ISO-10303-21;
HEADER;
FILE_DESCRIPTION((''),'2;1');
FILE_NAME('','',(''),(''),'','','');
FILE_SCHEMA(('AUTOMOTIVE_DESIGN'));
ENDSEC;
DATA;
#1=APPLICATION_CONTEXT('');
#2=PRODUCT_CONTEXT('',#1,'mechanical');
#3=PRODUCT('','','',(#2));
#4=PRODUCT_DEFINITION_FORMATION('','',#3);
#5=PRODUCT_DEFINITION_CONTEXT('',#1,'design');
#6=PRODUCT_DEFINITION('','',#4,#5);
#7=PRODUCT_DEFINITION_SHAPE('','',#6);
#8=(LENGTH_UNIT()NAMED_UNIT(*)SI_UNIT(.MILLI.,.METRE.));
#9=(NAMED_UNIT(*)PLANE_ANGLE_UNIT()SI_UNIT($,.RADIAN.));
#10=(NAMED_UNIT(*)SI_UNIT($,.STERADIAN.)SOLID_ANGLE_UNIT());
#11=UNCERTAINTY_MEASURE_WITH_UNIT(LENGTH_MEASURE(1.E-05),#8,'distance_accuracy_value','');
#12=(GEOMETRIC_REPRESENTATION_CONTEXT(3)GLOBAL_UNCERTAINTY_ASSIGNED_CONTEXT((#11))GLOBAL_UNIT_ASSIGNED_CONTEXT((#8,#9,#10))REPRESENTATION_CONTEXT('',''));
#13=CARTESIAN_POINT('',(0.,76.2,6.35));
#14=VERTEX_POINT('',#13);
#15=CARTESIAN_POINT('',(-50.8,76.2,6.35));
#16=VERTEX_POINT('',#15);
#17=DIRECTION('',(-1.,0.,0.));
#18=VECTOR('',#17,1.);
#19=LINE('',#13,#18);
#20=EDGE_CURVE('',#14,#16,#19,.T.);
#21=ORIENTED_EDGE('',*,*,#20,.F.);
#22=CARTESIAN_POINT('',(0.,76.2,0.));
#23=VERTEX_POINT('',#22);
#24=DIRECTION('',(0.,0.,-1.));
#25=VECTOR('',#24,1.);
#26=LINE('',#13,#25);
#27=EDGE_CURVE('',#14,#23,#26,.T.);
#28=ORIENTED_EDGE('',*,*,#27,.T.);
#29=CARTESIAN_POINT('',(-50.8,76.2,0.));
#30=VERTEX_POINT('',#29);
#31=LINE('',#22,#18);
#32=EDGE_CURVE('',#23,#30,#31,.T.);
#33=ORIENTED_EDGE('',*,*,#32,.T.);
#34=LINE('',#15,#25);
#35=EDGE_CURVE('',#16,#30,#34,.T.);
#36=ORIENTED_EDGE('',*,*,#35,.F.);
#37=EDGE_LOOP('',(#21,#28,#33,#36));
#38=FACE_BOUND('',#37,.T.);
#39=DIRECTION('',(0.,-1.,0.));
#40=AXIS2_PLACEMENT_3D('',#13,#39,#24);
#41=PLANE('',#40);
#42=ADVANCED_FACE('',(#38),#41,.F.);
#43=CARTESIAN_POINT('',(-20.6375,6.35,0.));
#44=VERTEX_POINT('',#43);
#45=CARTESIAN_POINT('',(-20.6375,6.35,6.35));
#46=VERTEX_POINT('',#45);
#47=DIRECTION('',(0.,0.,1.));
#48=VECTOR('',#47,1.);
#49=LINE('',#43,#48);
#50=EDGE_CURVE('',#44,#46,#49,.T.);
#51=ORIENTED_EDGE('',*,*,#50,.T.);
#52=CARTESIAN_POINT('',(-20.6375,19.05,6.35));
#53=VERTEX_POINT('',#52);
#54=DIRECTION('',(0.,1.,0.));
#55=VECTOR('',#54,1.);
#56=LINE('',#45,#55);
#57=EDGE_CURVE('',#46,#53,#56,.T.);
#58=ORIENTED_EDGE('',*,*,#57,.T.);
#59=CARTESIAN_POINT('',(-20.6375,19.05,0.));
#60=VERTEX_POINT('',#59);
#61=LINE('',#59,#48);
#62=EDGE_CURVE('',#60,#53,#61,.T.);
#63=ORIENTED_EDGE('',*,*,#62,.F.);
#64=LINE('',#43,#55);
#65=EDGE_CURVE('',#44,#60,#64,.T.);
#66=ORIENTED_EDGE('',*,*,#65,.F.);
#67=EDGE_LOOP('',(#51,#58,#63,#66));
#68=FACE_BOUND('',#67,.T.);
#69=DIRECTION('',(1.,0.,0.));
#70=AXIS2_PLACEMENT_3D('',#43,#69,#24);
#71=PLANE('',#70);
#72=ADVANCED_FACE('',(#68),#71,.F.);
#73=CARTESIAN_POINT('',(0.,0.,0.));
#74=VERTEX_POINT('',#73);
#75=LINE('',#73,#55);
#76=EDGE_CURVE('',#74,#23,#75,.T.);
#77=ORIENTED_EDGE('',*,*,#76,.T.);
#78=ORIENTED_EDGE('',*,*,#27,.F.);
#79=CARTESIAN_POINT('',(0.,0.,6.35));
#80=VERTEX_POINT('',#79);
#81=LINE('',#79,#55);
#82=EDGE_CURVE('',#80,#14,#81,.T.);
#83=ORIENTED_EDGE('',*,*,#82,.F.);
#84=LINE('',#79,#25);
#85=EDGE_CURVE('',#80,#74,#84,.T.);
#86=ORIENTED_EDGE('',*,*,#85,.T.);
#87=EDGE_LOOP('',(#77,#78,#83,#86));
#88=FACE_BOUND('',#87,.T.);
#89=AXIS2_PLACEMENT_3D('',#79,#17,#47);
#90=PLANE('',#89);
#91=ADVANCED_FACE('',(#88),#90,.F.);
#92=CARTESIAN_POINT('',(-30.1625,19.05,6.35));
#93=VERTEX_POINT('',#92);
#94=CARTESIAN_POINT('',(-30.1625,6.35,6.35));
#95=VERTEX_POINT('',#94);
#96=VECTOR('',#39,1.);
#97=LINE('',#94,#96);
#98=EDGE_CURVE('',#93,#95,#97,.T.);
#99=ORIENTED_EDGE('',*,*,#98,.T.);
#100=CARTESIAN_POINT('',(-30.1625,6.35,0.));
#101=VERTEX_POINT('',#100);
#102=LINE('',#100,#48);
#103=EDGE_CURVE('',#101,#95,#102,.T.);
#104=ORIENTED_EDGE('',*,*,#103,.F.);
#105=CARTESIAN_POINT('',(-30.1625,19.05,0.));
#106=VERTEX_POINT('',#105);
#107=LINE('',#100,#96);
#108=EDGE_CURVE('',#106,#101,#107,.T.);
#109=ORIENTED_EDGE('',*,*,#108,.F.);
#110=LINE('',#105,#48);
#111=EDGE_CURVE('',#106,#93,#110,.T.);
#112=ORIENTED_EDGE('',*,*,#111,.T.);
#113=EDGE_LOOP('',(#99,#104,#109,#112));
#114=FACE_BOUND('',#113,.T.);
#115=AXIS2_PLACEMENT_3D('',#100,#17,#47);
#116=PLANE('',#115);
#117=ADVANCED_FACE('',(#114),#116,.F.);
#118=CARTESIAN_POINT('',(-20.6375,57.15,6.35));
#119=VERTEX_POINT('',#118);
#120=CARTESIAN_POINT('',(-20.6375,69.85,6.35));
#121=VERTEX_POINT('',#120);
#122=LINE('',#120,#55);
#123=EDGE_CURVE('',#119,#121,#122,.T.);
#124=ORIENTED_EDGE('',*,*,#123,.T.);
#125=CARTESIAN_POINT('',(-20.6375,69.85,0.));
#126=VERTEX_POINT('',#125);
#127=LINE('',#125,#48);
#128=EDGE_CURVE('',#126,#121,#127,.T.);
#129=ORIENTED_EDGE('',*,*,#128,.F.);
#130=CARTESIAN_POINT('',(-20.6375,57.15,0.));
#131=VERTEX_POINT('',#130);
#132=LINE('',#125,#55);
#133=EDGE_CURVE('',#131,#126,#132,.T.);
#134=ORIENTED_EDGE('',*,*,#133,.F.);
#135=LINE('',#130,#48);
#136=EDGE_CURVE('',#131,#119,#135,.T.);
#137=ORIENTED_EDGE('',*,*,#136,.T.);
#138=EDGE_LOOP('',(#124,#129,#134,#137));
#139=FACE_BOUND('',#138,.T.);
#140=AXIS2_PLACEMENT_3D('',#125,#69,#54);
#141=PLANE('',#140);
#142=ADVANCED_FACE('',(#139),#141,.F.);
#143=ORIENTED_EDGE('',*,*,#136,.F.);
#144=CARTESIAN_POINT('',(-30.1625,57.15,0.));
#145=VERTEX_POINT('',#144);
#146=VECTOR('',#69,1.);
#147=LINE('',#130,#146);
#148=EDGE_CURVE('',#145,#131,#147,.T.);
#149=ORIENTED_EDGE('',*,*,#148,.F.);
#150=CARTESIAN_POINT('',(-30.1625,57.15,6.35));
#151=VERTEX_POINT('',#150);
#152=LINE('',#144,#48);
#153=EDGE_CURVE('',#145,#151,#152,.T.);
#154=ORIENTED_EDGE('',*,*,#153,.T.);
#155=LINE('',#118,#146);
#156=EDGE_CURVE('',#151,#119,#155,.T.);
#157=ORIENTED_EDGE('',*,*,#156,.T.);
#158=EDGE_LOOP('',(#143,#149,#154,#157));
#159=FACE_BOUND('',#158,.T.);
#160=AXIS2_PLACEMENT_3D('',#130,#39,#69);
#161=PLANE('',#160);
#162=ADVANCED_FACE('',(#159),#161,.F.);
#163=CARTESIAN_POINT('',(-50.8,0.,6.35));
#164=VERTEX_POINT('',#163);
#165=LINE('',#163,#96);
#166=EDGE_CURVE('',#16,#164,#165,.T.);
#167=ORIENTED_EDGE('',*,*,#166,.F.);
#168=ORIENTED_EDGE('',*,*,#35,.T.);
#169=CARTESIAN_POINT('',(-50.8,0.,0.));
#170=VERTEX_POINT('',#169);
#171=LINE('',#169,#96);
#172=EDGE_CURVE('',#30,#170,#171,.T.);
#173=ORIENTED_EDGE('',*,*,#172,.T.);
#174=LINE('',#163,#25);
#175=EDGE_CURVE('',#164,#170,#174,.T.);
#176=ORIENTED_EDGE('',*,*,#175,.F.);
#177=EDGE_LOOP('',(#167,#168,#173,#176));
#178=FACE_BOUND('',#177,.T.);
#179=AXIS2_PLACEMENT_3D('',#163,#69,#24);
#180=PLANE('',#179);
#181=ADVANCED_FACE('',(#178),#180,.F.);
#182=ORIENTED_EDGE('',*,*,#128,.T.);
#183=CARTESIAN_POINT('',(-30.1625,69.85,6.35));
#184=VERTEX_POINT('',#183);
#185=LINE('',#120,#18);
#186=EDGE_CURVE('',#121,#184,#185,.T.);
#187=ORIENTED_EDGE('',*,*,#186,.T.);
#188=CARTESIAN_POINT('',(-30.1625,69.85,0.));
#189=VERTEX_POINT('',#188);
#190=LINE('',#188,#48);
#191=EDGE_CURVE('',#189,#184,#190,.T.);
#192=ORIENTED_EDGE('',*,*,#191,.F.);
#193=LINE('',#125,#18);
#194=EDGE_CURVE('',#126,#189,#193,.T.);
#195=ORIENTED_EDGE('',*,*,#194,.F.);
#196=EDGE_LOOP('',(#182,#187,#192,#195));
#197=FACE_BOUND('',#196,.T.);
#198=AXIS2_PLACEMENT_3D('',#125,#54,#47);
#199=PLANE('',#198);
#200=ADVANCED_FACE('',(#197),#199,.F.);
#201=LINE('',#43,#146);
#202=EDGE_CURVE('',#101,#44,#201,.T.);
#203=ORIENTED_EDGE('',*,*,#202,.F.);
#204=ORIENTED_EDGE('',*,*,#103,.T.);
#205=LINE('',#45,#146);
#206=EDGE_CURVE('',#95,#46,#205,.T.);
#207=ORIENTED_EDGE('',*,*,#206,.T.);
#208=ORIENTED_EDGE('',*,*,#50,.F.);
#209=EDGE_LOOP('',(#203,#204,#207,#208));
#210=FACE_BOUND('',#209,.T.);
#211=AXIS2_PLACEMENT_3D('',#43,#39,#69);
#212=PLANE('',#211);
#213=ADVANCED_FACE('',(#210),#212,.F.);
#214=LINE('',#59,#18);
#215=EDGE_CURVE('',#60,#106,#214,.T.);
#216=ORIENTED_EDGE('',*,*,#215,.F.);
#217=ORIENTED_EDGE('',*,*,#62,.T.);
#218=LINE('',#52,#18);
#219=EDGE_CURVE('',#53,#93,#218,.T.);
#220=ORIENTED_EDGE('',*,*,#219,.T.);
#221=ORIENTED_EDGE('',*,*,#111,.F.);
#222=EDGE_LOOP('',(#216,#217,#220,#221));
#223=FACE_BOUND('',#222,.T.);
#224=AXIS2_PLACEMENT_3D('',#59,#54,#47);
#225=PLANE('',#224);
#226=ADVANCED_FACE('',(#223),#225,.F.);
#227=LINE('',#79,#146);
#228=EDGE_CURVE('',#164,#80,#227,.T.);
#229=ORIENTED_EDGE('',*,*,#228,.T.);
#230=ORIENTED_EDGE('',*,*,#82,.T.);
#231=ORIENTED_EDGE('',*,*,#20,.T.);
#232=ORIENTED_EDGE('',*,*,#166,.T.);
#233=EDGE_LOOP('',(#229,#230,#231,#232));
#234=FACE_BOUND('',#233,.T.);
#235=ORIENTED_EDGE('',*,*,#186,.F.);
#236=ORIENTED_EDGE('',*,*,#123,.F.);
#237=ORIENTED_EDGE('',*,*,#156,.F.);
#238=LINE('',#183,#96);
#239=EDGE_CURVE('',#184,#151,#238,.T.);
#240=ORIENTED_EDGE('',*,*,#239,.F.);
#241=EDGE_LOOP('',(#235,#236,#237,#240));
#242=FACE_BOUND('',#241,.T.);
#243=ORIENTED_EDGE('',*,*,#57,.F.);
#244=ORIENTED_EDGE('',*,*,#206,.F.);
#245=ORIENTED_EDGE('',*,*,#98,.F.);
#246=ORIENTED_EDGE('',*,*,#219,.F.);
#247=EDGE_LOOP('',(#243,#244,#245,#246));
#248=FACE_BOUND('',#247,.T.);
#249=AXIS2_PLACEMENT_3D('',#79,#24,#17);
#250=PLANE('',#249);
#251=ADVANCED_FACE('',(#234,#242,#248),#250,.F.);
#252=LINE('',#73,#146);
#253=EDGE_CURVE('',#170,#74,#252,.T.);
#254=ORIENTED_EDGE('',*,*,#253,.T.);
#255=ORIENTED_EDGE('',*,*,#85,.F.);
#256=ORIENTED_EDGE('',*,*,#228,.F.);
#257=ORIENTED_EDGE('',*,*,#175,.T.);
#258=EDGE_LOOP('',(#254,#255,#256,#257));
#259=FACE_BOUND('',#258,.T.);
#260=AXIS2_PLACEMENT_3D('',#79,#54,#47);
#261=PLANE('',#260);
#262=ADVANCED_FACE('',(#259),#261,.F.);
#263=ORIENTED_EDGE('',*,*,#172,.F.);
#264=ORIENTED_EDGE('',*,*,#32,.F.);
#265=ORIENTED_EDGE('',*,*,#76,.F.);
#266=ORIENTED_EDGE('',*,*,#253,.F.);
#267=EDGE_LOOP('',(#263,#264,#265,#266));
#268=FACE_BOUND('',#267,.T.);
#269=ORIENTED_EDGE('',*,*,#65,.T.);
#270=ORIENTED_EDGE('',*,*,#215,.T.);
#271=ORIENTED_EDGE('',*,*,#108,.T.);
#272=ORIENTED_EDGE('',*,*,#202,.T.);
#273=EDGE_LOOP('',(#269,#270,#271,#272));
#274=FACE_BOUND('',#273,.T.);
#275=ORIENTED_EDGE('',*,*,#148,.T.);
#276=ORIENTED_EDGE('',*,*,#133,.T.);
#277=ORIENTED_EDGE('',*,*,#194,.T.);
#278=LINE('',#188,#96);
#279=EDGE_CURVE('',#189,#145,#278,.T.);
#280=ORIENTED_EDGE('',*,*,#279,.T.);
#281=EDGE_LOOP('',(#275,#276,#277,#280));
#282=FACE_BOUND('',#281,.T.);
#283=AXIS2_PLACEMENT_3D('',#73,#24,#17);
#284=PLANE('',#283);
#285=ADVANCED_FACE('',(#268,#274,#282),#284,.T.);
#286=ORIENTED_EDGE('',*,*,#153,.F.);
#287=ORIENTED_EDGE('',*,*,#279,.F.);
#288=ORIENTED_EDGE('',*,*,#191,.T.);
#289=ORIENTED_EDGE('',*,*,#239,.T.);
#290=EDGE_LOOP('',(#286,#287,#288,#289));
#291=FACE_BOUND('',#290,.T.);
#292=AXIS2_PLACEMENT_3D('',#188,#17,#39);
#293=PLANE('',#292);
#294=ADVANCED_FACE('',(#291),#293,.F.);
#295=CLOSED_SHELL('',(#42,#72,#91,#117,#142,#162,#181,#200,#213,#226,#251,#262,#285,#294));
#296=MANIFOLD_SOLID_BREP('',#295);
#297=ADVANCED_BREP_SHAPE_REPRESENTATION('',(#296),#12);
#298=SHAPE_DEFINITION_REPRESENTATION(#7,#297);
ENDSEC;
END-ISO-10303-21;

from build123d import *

# Parameters (mm, degrees)
SKETCH1_W           = 76.2
SKETCH1_H           = 50.8
BOSS_EXTRUDE1_DEPTH = 6.35
SKETCH2_W           = 9.525
SKETCH2_H           = 12.7
CUT_EXTRUDE1_DEPTH  = 92.800885072


with BuildPart() as part:
    # Sketch1 → Boss-Extrude1 (new body)
    with BuildSketch(Plane(origin=(0, 0, 0), x_dir=(0, 1, 0), z_dir=(0, 0, 1))):
        with Locations((38.1, 25.4)):
            Rectangle(SKETCH1_W, SKETCH1_H)
    extrude(amount=BOSS_EXTRUDE1_DEPTH)

    # Sketch2 → Cut-Extrude1 (cut, through all)
    with BuildSketch(Plane.XY.offset(6.35)):
        with Locations((-25.4, 12.7)):
            Rectangle(SKETCH2_W, SKETCH2_H)
        with Locations((-25.4, 63.5)):
            Rectangle(SKETCH2_W, SKETCH2_H)
    extrude(amount=-CUT_EXTRUDE1_DEPTH, mode=Mode.SUBTRACT)


solid = part.part
